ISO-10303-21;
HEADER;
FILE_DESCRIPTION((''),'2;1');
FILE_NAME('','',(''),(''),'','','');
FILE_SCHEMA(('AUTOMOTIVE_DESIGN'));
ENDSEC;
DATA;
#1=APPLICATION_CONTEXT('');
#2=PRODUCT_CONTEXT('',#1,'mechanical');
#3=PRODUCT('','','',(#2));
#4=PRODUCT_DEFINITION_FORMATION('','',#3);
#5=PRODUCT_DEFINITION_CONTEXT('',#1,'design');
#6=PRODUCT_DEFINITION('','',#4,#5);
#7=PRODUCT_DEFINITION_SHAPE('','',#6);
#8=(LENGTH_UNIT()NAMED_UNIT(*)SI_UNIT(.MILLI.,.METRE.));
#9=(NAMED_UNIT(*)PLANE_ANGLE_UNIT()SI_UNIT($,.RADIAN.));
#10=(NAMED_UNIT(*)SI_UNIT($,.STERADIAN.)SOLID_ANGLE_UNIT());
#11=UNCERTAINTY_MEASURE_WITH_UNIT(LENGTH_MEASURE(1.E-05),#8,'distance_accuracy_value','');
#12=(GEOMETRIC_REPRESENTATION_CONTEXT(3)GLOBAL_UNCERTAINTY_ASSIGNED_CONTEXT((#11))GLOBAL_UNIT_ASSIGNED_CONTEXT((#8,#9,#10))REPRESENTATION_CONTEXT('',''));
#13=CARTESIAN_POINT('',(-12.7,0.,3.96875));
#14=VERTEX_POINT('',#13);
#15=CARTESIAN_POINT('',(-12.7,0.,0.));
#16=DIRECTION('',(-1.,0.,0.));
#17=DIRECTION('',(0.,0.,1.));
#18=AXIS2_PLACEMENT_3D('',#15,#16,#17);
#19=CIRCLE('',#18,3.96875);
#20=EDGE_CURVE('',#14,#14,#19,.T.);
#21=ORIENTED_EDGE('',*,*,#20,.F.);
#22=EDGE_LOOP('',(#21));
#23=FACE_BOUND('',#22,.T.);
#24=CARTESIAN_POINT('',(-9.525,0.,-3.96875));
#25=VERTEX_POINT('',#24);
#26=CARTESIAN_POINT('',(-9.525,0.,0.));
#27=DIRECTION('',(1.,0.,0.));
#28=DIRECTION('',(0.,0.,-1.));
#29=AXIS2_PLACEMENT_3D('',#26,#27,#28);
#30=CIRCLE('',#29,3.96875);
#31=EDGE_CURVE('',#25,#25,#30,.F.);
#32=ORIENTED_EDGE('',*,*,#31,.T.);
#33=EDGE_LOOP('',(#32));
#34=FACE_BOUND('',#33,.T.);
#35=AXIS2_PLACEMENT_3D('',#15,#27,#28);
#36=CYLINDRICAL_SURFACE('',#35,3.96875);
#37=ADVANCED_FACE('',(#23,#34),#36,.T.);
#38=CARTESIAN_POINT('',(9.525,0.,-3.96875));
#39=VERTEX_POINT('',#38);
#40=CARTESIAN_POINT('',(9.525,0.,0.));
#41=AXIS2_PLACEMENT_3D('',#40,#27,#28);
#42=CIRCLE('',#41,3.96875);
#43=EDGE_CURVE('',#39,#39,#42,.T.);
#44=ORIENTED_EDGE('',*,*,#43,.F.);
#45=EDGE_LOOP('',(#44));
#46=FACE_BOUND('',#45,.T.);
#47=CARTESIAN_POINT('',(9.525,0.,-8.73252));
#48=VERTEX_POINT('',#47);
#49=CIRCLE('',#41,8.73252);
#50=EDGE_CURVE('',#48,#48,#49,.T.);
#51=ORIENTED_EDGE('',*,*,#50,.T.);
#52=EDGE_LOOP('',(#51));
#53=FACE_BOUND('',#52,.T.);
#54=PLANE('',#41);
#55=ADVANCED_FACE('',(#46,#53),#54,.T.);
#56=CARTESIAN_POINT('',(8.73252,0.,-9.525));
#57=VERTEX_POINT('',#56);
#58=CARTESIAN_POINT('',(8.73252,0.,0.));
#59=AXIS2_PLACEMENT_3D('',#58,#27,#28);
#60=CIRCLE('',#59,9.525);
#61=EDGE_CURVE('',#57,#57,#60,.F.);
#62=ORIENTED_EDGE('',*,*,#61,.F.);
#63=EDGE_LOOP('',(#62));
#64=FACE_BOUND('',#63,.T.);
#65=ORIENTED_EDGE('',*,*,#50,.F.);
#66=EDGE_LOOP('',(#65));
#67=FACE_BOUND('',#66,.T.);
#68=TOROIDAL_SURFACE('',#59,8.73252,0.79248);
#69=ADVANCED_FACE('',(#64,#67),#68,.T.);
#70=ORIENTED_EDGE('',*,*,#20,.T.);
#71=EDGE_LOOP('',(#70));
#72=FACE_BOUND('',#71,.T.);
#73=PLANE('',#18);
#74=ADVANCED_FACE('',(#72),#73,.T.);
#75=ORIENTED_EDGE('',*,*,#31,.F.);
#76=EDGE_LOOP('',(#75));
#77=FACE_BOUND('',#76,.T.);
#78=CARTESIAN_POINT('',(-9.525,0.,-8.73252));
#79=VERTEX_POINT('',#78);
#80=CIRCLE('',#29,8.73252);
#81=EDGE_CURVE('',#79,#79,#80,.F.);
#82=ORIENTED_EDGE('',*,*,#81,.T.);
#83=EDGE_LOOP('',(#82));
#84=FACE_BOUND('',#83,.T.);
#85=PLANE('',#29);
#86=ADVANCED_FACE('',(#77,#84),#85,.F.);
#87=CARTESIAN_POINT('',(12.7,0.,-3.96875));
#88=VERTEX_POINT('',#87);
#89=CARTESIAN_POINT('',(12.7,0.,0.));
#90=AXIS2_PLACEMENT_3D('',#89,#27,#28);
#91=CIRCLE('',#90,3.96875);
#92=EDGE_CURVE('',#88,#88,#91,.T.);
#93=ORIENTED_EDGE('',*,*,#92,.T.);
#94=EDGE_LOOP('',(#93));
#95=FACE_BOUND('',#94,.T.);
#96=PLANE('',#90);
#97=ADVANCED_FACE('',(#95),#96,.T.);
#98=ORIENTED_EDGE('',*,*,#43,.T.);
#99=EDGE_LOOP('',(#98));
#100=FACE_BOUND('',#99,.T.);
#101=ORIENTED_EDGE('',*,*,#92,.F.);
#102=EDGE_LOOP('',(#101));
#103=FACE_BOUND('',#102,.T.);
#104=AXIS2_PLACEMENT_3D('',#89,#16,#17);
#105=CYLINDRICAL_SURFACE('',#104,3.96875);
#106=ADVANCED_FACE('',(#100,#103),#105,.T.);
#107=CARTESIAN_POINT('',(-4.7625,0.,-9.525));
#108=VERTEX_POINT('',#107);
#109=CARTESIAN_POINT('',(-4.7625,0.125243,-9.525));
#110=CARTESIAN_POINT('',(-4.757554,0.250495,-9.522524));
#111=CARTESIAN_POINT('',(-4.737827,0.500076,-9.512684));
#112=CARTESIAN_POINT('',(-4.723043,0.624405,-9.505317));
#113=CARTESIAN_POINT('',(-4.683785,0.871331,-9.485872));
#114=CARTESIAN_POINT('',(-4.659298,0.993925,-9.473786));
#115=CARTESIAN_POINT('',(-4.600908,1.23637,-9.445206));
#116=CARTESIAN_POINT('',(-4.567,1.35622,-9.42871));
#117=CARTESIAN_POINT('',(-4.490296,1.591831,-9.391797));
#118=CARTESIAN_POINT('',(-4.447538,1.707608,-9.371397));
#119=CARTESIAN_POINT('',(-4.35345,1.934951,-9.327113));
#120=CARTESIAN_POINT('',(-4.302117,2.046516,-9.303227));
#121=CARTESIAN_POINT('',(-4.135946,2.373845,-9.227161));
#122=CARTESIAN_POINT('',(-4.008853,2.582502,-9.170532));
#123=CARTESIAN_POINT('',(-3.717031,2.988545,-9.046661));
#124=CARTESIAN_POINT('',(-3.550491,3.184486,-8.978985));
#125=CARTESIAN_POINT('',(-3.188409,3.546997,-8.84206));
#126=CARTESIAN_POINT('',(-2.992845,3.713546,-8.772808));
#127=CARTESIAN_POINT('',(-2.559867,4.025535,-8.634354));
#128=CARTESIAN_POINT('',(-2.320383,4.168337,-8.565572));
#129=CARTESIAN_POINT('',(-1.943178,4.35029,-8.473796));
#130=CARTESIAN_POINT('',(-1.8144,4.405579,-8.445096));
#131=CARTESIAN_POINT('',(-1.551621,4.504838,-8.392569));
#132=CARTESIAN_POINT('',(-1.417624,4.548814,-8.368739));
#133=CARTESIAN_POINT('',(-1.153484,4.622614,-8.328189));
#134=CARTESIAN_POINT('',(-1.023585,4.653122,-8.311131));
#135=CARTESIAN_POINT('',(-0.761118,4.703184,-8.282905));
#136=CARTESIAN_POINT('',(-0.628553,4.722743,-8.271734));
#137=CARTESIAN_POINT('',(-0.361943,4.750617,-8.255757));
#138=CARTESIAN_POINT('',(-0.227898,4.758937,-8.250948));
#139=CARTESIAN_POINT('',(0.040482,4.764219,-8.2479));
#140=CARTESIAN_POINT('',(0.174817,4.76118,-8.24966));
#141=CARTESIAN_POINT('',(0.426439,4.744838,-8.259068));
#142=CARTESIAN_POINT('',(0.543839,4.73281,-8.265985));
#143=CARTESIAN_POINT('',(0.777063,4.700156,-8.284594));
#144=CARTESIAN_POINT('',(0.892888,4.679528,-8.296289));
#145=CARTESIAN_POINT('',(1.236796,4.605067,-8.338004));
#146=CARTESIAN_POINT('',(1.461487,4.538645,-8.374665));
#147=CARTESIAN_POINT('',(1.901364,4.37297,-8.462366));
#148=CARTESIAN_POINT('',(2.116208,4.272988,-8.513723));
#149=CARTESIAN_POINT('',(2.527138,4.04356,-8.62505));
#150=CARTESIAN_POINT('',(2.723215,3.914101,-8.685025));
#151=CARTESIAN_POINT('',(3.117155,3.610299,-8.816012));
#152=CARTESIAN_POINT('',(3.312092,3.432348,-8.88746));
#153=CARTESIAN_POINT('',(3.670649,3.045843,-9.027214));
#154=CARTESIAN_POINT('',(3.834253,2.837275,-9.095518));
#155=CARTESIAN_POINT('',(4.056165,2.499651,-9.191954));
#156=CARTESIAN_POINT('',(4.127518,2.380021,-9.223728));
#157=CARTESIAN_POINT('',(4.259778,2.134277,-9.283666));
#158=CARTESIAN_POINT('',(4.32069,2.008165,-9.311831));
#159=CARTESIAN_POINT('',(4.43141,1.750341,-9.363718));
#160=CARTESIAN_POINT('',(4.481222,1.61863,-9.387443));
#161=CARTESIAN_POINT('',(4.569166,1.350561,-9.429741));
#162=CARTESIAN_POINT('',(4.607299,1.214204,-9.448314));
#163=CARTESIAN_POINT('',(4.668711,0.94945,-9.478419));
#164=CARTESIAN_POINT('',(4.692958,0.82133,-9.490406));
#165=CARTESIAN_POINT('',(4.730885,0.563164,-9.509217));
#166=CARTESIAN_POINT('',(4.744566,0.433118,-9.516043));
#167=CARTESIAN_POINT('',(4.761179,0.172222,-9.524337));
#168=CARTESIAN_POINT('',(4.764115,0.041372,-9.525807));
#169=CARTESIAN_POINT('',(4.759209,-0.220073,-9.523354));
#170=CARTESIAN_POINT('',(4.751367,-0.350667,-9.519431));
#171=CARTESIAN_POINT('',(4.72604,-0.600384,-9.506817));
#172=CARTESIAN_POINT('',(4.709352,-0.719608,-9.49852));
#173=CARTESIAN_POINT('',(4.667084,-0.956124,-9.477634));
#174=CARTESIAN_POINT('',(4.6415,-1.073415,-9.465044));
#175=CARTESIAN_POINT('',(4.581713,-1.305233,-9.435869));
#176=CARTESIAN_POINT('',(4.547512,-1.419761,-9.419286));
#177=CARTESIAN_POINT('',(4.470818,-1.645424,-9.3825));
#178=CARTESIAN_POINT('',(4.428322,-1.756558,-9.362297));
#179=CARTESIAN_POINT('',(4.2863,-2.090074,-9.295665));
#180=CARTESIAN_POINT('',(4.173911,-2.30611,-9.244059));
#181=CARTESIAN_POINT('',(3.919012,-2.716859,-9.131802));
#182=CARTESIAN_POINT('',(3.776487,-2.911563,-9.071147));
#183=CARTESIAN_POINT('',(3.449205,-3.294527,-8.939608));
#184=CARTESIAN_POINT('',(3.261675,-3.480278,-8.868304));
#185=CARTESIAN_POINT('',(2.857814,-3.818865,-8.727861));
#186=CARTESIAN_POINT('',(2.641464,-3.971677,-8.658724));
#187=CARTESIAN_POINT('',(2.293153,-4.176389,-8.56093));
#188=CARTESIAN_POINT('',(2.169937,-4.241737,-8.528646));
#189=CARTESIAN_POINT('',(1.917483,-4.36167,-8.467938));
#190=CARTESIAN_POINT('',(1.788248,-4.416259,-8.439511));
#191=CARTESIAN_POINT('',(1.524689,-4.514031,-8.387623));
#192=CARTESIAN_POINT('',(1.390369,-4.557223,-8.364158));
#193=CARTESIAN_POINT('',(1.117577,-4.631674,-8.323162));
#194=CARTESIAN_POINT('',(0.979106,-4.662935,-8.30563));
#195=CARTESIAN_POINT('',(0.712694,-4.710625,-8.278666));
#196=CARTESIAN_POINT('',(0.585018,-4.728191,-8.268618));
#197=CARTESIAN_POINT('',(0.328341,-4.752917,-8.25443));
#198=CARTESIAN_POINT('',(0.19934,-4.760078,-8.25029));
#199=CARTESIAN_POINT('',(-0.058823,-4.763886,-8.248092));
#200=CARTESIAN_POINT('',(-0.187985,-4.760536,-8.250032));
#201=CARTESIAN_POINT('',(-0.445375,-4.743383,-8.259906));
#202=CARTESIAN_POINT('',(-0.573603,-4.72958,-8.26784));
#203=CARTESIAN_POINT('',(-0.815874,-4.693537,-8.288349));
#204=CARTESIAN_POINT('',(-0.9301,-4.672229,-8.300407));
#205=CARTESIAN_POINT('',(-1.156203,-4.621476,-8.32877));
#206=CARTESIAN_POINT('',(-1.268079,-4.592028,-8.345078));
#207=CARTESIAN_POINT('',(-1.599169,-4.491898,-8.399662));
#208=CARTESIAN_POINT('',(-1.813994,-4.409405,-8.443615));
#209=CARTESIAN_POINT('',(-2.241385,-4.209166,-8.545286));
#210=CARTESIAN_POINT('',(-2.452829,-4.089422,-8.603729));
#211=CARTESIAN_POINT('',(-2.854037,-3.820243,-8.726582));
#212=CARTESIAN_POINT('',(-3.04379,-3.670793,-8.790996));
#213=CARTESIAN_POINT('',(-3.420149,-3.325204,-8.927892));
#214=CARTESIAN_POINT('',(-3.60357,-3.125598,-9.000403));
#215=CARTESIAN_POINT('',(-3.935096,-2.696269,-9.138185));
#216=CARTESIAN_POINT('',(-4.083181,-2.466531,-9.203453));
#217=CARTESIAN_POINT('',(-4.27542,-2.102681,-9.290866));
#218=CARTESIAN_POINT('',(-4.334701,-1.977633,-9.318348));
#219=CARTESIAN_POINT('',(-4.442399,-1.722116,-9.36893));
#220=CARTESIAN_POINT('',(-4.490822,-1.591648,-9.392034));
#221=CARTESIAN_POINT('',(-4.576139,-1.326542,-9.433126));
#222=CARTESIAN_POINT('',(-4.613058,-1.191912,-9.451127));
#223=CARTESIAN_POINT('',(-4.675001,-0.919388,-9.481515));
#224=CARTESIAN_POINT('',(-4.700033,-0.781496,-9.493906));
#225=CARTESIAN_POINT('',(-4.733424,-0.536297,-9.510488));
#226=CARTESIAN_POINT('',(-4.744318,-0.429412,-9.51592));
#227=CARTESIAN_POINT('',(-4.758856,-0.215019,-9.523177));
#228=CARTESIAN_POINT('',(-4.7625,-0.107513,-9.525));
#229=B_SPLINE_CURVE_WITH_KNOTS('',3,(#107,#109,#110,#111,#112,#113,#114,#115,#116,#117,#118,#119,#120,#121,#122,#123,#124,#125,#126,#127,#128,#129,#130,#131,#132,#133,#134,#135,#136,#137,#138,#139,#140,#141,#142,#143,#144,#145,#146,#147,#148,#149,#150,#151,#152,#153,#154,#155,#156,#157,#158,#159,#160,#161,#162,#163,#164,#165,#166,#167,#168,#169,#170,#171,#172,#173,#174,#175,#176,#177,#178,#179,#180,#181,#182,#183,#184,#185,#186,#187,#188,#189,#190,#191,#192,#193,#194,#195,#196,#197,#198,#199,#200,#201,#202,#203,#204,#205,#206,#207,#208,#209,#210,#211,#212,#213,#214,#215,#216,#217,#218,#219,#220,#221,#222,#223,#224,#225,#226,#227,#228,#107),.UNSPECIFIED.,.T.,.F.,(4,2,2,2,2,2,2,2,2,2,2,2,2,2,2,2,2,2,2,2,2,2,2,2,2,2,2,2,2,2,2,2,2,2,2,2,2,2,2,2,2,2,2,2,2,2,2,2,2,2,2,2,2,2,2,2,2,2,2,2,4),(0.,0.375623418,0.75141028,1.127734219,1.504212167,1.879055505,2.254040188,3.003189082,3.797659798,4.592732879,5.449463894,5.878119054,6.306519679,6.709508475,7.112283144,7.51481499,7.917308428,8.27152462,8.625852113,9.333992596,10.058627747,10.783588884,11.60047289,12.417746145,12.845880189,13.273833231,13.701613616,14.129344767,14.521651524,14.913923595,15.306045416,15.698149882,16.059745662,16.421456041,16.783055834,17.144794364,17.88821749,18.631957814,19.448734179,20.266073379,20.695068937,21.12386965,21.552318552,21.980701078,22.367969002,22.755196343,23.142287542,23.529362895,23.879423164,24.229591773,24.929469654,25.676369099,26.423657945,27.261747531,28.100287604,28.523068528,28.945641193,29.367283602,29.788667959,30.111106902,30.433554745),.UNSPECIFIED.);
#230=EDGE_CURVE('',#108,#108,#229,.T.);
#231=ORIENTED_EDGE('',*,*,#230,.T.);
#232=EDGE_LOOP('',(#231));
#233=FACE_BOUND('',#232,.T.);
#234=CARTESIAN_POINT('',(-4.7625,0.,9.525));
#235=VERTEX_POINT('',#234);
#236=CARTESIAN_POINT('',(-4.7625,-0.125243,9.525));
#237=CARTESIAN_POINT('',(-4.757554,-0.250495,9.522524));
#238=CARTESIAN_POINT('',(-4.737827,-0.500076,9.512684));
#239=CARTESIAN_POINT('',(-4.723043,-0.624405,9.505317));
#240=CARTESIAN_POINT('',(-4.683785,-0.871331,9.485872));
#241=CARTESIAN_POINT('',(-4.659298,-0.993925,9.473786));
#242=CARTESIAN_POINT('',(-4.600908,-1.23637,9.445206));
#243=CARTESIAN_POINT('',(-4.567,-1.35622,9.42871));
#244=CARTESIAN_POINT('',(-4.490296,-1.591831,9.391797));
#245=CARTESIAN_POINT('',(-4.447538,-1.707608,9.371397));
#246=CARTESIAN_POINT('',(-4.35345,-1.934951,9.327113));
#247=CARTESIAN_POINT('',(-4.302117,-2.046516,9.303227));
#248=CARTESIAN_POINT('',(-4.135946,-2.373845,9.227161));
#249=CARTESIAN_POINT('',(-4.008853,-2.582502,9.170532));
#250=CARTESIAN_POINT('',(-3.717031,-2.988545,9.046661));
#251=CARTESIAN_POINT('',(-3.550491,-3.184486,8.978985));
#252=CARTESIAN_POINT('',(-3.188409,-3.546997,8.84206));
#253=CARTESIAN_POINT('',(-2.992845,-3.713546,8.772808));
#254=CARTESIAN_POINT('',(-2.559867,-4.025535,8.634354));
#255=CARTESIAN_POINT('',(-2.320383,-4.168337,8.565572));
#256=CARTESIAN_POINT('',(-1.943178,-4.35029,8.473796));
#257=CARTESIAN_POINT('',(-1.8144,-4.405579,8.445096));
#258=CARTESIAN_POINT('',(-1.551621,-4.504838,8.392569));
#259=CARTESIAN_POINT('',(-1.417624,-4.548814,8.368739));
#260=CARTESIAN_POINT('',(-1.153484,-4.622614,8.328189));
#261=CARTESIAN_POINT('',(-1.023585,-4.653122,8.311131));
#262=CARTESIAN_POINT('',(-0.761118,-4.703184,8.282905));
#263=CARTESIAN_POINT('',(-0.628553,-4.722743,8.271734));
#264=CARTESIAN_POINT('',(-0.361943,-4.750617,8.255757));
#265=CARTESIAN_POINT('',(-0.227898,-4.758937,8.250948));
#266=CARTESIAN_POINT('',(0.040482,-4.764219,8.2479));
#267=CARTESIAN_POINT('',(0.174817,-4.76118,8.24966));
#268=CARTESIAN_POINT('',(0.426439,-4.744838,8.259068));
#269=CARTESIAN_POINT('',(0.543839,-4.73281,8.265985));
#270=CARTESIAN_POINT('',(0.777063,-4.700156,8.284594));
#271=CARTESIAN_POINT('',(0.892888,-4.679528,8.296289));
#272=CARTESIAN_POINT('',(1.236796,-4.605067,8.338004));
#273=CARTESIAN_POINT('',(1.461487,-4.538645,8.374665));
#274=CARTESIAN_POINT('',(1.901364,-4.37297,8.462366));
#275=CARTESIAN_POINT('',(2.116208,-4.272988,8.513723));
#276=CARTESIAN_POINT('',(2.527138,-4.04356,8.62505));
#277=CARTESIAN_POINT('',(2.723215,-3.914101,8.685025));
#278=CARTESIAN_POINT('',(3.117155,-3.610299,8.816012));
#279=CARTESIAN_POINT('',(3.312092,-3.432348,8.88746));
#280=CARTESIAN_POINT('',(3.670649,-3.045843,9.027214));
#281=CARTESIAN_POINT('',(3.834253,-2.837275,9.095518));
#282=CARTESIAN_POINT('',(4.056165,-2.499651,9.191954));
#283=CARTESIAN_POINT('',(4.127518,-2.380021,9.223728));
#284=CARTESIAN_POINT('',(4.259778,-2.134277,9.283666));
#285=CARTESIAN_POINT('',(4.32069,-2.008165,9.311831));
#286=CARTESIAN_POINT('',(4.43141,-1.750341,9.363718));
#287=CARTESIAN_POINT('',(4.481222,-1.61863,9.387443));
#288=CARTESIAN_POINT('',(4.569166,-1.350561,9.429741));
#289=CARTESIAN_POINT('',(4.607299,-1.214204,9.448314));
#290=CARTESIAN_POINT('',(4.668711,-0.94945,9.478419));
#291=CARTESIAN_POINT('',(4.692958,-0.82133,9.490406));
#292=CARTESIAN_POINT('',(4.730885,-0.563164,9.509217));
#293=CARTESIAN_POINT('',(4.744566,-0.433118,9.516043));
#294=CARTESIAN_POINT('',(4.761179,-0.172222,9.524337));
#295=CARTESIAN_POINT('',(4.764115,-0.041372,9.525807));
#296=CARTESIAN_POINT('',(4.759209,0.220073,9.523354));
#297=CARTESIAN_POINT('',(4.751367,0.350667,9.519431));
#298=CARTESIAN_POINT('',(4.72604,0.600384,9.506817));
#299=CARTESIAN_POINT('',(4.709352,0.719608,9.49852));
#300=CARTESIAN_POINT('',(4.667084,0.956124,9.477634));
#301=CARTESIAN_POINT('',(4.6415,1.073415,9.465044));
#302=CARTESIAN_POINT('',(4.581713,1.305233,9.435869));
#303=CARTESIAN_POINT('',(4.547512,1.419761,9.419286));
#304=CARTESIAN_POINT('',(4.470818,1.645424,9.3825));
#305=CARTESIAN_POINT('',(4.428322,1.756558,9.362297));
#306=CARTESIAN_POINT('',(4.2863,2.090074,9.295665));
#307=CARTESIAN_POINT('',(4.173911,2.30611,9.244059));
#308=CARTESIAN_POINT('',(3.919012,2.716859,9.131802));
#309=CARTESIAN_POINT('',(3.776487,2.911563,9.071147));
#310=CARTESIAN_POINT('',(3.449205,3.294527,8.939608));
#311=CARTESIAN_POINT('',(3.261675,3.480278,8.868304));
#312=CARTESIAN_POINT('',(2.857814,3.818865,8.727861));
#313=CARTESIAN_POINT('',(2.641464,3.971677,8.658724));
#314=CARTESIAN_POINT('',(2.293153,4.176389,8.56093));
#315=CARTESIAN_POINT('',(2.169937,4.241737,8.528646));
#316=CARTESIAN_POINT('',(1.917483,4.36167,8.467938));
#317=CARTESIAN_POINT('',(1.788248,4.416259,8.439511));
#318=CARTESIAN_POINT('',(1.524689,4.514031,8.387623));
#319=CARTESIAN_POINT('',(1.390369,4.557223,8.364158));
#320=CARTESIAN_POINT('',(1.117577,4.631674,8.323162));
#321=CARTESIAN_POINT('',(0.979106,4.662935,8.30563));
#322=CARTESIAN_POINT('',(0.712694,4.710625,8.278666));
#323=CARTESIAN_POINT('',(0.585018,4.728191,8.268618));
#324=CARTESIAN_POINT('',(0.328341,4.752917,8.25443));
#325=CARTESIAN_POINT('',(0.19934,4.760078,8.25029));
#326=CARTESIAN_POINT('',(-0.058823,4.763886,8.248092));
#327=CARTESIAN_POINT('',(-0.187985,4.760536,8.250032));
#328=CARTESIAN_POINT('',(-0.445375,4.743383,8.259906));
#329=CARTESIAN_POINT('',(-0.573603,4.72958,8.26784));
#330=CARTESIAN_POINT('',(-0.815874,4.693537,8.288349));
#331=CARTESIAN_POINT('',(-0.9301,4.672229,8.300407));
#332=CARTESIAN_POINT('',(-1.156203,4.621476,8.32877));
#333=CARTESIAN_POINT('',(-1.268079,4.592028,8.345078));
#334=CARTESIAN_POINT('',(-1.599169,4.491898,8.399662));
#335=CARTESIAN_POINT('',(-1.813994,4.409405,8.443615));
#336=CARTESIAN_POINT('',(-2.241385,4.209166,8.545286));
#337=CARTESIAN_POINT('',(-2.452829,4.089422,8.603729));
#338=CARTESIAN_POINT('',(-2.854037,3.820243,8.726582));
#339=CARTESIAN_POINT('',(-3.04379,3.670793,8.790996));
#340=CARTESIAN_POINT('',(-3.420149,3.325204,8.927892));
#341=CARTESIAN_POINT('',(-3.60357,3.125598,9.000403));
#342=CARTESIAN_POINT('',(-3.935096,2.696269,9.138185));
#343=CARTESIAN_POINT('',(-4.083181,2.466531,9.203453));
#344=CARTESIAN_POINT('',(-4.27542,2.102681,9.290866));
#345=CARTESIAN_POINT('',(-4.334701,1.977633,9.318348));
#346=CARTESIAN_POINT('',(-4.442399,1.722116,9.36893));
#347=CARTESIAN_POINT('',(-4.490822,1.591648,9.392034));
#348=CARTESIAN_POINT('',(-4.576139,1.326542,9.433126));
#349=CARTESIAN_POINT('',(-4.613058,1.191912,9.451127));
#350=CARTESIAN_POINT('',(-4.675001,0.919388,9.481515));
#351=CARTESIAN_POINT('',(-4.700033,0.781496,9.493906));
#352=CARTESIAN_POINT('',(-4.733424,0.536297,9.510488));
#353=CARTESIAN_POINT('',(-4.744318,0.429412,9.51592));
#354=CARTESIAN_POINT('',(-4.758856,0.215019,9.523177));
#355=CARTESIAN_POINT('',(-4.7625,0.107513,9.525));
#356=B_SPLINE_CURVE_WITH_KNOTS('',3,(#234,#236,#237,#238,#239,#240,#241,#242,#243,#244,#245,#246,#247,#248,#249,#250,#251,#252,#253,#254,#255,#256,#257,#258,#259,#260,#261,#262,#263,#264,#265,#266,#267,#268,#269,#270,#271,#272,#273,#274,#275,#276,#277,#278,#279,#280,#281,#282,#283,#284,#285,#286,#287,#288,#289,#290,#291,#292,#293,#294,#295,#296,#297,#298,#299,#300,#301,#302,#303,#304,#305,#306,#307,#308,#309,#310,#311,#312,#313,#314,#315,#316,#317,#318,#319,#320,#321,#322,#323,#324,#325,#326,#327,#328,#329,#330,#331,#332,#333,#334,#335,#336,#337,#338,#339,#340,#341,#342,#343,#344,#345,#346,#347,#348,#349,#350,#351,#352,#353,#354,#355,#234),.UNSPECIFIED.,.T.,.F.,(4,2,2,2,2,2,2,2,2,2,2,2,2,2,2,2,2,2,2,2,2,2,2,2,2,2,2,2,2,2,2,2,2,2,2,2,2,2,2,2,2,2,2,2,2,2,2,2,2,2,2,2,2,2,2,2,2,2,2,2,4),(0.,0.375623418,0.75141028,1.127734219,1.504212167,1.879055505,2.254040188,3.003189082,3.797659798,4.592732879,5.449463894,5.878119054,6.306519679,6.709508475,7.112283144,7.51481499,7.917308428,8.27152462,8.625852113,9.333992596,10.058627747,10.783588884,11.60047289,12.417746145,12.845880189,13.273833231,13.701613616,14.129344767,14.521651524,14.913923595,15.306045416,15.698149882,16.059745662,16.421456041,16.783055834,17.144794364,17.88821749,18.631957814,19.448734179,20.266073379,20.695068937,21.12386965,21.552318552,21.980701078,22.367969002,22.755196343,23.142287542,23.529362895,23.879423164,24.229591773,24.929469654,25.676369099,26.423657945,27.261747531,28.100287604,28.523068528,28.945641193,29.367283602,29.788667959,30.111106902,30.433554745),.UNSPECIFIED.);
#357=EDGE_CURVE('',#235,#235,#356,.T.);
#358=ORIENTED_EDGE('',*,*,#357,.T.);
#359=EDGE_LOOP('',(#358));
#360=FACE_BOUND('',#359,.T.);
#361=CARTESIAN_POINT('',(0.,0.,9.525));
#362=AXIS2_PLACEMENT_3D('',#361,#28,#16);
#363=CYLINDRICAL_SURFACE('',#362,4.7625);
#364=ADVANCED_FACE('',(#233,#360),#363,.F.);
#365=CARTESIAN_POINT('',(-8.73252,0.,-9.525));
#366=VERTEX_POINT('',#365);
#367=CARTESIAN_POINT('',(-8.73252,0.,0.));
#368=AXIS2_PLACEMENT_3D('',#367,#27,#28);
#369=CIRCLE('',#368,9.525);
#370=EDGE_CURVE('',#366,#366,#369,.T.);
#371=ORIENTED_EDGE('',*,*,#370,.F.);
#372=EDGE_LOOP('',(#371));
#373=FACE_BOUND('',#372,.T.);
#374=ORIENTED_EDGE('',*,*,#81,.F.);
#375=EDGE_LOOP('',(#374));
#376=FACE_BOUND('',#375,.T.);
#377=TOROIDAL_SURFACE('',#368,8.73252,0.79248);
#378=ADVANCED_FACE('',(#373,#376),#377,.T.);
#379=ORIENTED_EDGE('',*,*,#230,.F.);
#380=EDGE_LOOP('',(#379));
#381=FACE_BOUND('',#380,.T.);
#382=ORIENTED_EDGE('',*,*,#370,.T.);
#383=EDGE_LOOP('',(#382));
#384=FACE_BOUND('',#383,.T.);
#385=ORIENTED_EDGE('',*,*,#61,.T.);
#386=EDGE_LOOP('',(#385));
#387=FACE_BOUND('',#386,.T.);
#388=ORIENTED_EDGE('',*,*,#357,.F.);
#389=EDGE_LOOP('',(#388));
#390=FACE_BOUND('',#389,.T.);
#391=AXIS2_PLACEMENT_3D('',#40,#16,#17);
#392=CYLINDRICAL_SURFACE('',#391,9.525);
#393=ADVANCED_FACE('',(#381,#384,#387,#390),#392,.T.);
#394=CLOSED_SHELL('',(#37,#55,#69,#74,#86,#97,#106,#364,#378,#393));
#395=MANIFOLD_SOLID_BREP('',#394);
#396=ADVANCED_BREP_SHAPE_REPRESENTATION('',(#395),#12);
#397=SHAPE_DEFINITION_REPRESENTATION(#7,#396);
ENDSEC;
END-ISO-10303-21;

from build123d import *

# Parameters (mm, degrees)
SKETCH1_R               = 9.525
BOSS_EXTRUDE1_DEPTH     = 9.525
SKETCH2_R               = 3.96875
BOSS_EXTRUDE2_DEPTH     = 3.175
FILLET1_R               = 0.79248
BOSS_EXTRUDE3_START     = 3.175
SKETCH3_R               = 3.96875
BOSS_EXTRUDE3_DEPTH     = 3.175
CUT_EXTRUDE1_DEPTH      = 19.513272318
CUT_EXTRUDE1_DEPTH_BACK = 19.513272318
SKETCH13_R              = 4.7625


with BuildPart() as part:
    # Sketch1 → Boss-Extrude1 (new, symmetric)
    with BuildSketch(Plane(origin=(0, 0, 0), x_dir=(0, 0, -1), z_dir=(1, 0, 0))):
        with Locations(Location((0, 0, 0), (0, 0, 180))):
            Circle(SKETCH1_R)
    extrude(amount=BOSS_EXTRUDE1_DEPTH, both=True)

    # Sketch2 → Boss-Extrude2 (add)
    with BuildSketch(Plane(origin=(9.525, 0, 0), x_dir=(0, 0, -1), z_dir=(1, 0, 0))):
        Circle(SKETCH2_R)
    extrude(amount=BOSS_EXTRUDE2_DEPTH)

    # Fillet1
    fillet1_edges = [part.edges().sort_by_distance(p)[0] for p in [
        (-9.525, 0, -9.525),
        (9.525, 0, -9.525),
    ]]
    fillet(fillet1_edges, radius=FILLET1_R)

    # Sketch3 → Boss-Extrude3 (add)
    with BuildSketch(Plane.ZY.offset(9.525).offset(BOSS_EXTRUDE3_START)):
        with Locations(Location((0, 0, 0), (0, 0, 180))):
            Circle(SKETCH3_R)
    extrude(amount=-BOSS_EXTRUDE3_DEPTH)

    # Sketch13 → Cut-Extrude1 (cut, two sides: drawn at the far end of the back side and taken through both)
    with BuildSketch(Plane.XY.offset(-CUT_EXTRUDE1_DEPTH_BACK)):
        with Locations(Location((0, 0, 0), (0, 0, 180))):
            Circle(SKETCH13_R)
    extrude(amount=CUT_EXTRUDE1_DEPTH + CUT_EXTRUDE1_DEPTH_BACK, mode=Mode.SUBTRACT)


solid = part.part
